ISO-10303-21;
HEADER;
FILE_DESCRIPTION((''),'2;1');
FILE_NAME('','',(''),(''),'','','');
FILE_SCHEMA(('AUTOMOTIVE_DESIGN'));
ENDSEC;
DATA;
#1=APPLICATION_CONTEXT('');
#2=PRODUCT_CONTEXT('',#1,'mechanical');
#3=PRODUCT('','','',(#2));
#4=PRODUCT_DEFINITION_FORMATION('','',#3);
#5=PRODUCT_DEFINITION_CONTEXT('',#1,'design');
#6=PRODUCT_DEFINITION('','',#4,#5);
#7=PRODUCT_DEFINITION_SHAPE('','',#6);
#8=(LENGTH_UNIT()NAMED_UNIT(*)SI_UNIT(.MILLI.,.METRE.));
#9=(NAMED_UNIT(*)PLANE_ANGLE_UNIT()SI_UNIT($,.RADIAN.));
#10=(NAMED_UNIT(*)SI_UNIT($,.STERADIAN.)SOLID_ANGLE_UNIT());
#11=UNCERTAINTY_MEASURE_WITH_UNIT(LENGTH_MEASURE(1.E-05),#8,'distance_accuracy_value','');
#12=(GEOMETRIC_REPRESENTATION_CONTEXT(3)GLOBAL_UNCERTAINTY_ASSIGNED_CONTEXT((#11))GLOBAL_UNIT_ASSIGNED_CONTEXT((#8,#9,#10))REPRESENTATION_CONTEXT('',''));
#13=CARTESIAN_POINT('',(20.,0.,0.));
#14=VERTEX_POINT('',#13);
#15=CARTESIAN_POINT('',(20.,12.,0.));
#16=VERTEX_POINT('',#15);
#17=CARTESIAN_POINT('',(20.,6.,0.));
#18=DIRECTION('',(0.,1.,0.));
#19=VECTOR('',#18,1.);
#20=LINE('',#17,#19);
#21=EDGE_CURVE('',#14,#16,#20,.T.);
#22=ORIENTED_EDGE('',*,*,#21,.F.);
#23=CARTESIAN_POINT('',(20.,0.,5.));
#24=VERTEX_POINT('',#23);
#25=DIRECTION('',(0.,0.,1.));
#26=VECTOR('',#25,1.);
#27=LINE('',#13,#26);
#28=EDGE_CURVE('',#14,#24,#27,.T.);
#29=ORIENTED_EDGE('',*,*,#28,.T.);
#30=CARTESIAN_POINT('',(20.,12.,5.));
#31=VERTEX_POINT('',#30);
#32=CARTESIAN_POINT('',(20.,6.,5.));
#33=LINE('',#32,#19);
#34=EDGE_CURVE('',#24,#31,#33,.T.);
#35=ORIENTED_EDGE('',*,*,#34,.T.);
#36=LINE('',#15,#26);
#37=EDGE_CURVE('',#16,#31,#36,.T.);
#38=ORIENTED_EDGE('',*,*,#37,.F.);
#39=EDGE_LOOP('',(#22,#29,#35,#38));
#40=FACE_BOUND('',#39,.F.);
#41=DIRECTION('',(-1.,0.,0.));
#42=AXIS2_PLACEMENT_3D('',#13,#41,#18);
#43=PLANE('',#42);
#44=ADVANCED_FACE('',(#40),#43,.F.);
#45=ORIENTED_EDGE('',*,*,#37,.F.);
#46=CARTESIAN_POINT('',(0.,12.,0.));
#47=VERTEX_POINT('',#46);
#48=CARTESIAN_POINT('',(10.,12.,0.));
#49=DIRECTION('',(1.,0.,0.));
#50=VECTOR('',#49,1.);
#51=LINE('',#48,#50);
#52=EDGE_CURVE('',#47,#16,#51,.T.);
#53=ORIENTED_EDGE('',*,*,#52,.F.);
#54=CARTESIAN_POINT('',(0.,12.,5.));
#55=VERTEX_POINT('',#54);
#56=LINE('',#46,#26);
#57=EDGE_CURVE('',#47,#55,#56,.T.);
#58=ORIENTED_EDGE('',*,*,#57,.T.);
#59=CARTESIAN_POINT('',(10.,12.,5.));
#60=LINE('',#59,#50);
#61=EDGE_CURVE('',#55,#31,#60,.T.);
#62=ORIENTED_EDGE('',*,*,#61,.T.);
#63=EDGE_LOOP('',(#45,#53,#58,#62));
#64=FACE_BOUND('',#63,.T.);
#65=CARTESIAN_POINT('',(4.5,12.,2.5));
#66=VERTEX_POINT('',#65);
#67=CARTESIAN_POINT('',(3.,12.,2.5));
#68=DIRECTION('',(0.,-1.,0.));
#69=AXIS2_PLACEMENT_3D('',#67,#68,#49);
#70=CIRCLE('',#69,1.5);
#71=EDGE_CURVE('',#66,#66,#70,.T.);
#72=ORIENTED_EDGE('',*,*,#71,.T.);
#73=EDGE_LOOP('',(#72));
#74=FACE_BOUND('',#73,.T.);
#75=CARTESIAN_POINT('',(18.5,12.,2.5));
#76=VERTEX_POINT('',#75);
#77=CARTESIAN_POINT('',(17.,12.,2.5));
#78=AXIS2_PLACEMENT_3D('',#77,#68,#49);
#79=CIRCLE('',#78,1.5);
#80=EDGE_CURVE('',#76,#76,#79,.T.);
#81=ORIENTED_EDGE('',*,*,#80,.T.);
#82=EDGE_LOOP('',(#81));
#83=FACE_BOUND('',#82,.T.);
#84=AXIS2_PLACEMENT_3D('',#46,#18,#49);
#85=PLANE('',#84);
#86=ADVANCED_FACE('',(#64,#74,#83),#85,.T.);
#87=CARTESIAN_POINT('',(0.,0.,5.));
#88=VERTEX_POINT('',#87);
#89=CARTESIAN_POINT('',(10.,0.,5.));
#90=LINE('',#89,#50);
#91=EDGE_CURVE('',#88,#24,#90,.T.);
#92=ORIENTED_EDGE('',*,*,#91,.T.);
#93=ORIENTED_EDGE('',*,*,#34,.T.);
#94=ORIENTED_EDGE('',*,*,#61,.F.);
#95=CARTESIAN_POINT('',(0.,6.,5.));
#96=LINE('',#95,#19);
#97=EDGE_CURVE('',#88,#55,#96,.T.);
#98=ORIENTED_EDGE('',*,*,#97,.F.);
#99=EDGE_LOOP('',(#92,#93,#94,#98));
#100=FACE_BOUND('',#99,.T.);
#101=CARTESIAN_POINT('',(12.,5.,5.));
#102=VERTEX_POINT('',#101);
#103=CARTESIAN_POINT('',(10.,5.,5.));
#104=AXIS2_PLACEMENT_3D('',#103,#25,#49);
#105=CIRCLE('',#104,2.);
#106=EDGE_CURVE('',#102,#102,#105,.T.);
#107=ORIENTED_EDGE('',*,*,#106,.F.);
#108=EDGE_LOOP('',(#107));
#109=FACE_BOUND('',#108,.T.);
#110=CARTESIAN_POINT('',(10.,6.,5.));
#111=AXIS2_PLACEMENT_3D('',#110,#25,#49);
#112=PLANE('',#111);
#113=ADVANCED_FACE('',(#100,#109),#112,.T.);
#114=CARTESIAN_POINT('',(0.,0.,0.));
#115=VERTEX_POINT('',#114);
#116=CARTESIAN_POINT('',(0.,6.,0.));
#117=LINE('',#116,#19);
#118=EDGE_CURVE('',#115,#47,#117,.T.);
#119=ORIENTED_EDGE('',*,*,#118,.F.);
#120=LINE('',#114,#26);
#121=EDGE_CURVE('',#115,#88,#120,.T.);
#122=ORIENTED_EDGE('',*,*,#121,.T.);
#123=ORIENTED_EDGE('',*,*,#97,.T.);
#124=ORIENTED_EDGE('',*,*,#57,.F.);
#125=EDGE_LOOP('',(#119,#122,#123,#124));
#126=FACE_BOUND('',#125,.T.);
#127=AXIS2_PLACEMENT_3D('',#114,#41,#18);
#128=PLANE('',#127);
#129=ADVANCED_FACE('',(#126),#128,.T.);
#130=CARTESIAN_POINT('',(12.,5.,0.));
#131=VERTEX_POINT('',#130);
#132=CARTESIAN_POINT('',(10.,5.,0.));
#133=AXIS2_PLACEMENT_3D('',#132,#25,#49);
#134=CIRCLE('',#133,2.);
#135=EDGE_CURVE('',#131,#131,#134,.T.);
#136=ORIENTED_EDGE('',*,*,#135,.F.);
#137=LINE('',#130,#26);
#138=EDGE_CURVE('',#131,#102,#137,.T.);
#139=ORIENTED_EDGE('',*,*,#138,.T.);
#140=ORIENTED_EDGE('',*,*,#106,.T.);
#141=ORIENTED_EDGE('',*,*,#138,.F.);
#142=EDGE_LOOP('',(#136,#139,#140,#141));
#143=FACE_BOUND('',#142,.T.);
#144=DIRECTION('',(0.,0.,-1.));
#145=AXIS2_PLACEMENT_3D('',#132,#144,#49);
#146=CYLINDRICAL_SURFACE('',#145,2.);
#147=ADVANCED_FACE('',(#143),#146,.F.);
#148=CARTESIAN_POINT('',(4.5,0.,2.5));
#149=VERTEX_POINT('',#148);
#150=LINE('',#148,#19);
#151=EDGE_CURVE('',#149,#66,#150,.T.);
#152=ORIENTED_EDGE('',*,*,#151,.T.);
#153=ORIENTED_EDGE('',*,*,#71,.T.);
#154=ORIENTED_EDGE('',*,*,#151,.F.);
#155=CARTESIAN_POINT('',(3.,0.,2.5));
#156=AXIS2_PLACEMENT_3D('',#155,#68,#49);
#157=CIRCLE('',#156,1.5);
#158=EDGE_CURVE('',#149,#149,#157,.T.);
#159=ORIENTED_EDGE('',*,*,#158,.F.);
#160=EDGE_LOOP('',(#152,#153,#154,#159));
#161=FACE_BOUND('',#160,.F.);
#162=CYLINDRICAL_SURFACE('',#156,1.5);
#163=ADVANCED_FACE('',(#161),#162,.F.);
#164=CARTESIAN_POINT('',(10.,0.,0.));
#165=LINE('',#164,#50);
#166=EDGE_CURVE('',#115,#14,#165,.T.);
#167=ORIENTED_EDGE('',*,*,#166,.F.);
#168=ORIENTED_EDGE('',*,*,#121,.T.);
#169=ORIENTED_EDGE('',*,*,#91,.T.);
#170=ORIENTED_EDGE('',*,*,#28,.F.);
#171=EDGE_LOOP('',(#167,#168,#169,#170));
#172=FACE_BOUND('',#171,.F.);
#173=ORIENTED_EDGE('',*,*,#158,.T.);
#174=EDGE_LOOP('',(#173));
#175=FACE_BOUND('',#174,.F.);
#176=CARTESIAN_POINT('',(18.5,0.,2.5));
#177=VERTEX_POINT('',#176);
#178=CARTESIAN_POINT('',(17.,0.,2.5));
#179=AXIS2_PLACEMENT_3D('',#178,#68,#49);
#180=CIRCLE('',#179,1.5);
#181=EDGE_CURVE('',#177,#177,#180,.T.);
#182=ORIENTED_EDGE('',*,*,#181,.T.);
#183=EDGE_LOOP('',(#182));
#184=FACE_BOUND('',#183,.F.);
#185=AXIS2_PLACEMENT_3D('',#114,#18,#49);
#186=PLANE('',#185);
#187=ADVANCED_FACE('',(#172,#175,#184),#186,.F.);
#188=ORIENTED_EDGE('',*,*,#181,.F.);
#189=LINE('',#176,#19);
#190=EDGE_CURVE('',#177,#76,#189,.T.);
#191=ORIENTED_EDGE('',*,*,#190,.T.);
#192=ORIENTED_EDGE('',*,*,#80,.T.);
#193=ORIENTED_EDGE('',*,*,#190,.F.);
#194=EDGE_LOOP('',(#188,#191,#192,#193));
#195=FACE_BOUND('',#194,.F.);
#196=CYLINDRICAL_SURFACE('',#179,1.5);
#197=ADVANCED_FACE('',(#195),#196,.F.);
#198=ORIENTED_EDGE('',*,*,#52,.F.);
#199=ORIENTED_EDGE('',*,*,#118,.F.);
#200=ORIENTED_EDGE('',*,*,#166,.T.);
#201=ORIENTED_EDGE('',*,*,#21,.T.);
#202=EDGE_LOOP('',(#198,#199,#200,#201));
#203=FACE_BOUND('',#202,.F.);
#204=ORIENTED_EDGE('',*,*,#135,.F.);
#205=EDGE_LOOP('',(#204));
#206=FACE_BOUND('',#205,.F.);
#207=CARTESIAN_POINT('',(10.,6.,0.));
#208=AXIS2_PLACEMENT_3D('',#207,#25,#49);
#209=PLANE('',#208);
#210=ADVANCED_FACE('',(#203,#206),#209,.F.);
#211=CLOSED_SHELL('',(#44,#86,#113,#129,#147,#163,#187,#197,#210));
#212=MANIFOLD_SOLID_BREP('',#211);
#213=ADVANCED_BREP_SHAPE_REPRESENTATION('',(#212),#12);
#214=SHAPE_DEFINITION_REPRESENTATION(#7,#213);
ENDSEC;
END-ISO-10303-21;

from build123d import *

# Parameters (mm, degrees)
SKETCH_W     = 20
SKETCH_H     = 12
SKETCH_R     = 2
PAD_DEPTH    = 5
SKETCH001_R  = 1.5
POCKET_DEPTH = 12.001


with BuildPart() as part:
    # Sketch → Pad (new body)
    with BuildSketch(Plane.XY):
        with Locations((10, 6)):
            Rectangle(SKETCH_W, SKETCH_H)
        with Locations((10, 5)):
            Circle(SKETCH_R, mode=Mode.SUBTRACT)
    extrude(amount=PAD_DEPTH)

    # Sketch001 → Pocket (cut, through all)
    with BuildSketch(Plane.XZ):
        with Locations((3, 2.5)):
            Circle(SKETCH001_R)
        with Locations((17, 2.5)):
            Circle(SKETCH001_R)
    extrude(amount=-POCKET_DEPTH, mode=Mode.SUBTRACT)


solid = part.part
